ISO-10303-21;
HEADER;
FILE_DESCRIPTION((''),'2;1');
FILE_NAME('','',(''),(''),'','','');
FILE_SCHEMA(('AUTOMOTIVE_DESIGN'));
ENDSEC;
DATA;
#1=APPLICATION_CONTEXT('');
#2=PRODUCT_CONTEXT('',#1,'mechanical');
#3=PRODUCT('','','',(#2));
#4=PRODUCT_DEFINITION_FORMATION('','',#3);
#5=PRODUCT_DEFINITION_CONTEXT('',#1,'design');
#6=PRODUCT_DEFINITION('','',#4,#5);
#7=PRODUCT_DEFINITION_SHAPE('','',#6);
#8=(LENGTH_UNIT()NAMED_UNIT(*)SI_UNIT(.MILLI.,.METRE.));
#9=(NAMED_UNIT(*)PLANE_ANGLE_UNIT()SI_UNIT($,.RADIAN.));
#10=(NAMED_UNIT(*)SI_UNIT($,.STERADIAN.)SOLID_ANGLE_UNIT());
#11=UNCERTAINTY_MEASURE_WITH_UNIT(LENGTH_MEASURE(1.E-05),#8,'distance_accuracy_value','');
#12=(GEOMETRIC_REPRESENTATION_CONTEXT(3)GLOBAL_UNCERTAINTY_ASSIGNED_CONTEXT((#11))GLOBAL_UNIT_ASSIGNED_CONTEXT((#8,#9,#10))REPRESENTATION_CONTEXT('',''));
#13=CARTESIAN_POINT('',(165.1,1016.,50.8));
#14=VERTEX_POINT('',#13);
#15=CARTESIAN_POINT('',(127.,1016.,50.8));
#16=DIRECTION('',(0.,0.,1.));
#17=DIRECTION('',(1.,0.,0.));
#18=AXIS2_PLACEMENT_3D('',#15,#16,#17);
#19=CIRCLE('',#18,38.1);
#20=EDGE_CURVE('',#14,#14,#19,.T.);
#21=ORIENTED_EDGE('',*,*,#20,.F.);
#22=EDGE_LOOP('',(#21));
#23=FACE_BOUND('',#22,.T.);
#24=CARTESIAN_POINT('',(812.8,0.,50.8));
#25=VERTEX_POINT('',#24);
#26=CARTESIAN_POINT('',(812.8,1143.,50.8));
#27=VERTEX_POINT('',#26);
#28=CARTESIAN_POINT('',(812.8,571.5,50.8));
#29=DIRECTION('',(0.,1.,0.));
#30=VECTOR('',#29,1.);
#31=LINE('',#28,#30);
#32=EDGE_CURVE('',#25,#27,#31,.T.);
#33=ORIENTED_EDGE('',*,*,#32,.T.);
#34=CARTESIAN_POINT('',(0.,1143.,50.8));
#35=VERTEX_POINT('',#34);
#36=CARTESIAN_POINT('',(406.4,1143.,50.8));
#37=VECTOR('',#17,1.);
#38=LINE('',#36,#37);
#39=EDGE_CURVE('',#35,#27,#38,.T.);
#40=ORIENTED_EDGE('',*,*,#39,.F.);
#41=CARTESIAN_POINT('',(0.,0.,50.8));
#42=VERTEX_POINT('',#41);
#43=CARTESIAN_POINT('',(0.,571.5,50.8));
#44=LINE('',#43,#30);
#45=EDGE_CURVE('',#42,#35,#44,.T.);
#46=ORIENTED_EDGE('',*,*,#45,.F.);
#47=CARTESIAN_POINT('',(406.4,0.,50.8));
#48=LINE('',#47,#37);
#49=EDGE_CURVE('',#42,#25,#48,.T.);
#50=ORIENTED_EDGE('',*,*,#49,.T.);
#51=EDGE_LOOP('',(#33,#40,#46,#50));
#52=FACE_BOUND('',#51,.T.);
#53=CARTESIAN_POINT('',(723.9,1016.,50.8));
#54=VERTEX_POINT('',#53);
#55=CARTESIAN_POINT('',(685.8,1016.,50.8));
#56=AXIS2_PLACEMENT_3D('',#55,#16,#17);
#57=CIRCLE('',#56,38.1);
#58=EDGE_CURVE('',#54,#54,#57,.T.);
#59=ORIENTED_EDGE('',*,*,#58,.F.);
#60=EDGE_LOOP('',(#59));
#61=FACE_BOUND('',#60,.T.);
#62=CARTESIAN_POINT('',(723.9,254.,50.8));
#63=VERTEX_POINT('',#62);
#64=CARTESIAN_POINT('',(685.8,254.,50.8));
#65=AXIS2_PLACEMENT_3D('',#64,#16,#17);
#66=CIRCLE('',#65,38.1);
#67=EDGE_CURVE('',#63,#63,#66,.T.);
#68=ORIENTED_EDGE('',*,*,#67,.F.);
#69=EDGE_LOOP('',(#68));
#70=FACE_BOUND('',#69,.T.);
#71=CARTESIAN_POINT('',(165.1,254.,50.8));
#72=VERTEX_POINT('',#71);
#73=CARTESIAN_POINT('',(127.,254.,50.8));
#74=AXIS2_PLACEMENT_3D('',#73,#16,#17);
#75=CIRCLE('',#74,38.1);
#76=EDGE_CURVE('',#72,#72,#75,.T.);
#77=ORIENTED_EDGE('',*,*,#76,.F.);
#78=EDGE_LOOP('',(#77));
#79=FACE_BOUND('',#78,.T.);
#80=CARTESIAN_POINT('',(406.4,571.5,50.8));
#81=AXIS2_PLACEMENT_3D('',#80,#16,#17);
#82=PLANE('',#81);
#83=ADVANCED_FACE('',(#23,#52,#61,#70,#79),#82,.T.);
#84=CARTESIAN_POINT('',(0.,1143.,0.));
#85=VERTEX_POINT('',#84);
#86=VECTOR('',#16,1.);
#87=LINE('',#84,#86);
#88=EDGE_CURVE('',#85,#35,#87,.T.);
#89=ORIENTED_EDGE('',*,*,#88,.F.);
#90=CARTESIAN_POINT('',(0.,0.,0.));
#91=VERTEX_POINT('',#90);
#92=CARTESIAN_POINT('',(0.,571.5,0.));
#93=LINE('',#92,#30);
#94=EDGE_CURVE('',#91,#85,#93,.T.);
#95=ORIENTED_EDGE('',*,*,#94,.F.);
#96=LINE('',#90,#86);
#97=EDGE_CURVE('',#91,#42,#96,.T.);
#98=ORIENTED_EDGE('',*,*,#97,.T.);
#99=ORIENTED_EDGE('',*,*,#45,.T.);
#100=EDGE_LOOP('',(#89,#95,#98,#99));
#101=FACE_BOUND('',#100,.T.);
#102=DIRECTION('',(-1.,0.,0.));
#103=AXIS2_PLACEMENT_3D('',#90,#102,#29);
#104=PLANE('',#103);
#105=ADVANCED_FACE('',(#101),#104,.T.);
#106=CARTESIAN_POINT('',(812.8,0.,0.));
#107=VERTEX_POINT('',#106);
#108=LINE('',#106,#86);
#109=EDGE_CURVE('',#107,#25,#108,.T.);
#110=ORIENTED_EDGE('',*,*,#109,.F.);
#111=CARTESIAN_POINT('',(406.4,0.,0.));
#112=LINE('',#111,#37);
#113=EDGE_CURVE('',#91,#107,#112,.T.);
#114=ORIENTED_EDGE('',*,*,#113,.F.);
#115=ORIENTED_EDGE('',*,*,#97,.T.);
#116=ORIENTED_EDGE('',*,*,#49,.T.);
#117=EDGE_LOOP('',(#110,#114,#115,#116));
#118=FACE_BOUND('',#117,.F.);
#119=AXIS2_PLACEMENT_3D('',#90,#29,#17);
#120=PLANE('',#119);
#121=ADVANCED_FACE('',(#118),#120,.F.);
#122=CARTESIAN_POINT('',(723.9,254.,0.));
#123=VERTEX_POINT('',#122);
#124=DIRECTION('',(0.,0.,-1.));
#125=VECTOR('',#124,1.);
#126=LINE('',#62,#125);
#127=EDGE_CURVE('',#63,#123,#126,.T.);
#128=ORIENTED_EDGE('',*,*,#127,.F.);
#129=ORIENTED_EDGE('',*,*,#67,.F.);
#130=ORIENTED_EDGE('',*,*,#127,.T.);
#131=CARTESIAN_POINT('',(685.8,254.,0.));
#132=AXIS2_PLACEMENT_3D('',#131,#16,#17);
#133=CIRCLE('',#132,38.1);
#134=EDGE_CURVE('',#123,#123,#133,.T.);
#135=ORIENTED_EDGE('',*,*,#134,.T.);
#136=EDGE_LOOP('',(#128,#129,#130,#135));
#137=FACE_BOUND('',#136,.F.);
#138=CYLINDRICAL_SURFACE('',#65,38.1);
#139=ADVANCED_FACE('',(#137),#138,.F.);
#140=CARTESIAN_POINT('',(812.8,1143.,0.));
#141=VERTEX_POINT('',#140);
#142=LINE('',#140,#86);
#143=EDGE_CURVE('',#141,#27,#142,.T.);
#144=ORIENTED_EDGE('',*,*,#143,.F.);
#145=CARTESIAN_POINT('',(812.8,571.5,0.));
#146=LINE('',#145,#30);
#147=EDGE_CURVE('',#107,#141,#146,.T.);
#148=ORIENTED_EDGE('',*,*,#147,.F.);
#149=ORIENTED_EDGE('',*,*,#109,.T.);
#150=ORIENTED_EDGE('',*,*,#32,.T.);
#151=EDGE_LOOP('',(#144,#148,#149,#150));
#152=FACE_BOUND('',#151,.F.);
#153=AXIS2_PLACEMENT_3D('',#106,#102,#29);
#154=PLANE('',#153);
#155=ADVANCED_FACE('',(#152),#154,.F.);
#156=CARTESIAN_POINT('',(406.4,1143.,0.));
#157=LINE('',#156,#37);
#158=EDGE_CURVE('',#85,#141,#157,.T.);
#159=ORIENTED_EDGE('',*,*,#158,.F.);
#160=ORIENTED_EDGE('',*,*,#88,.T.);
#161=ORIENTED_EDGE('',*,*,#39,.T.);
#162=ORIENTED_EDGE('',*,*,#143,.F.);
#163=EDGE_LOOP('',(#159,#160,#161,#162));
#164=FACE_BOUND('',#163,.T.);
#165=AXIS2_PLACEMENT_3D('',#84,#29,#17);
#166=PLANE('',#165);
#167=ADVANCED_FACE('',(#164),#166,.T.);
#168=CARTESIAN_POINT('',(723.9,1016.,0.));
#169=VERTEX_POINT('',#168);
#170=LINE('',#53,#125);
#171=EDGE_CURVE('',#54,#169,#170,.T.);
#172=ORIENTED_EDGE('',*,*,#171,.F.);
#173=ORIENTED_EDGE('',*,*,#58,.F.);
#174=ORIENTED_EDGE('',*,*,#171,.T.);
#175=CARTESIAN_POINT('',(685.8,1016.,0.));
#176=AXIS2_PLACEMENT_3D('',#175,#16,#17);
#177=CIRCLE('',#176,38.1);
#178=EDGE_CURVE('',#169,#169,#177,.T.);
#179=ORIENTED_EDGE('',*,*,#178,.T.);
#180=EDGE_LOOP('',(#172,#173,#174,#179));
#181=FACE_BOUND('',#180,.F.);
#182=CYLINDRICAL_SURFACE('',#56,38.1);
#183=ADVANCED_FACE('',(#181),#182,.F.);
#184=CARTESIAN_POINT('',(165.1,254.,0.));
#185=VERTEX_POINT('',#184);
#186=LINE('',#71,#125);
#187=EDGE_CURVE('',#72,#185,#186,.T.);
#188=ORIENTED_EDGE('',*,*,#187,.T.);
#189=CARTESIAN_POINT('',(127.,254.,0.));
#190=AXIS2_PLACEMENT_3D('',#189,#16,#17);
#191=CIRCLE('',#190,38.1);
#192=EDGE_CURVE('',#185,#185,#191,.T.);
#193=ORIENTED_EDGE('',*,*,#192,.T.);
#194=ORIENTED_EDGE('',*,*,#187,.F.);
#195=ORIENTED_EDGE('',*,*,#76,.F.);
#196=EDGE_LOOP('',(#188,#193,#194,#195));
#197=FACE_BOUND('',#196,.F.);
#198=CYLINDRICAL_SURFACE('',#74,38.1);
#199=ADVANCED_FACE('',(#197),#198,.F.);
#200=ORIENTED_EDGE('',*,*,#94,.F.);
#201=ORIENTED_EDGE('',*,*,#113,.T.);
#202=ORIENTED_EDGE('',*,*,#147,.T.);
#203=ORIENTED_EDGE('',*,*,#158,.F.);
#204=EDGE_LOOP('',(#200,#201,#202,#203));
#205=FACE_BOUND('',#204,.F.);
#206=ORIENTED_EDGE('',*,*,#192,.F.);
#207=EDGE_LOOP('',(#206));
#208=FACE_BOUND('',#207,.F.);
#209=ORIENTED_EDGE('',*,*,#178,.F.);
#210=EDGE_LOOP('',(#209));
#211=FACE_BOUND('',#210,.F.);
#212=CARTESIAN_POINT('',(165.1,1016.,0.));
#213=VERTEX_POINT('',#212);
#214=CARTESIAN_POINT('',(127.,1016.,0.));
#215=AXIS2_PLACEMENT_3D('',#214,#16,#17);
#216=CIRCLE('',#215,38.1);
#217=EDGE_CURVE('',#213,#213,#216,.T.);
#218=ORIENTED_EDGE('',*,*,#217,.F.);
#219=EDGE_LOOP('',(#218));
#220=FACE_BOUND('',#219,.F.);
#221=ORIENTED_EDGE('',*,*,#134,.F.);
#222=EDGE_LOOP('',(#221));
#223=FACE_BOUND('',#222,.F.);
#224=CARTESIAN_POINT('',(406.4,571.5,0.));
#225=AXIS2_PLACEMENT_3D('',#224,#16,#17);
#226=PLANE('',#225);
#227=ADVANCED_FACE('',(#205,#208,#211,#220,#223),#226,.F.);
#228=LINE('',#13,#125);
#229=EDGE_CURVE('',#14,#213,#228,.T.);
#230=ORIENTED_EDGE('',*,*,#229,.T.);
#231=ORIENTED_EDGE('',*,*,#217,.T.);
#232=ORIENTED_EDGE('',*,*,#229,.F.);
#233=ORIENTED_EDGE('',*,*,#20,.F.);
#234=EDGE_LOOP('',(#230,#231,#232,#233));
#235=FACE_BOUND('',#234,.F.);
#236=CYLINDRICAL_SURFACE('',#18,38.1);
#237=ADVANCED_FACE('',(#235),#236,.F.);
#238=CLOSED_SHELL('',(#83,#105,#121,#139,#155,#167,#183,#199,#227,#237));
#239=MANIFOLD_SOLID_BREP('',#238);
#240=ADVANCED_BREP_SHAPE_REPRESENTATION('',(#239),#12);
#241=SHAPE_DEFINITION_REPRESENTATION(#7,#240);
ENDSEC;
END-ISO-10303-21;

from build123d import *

# Parameters (mm, degrees)
F0_W     = 812.8
F0_H     = 1143
F1_DEPTH = 50.8
F2_R     = 38.1
F3_DEPTH = 50.801


with BuildPart() as f1:
    # F0 (on Top) → F1 (new body)
    with BuildSketch(Plane.XY):
        with Locations((406.4, 571.5)):
            Rectangle(F0_W, F0_H)
    extrude(amount=F1_DEPTH)

    # F2 (on face) → F3 (cut, through all)
    with BuildSketch(Plane.XY.offset(50.8)):
        with Locations((685.8, 254)):
            Circle(F2_R)
        with Locations((127, 254)):
            Circle(F2_R)
        with Locations((685.8, 1016)):
            Circle(F2_R)
        with Locations((127, 1016)):
            Circle(F2_R)
    extrude(amount=-F3_DEPTH, mode=Mode.SUBTRACT)


solid = f1.part
